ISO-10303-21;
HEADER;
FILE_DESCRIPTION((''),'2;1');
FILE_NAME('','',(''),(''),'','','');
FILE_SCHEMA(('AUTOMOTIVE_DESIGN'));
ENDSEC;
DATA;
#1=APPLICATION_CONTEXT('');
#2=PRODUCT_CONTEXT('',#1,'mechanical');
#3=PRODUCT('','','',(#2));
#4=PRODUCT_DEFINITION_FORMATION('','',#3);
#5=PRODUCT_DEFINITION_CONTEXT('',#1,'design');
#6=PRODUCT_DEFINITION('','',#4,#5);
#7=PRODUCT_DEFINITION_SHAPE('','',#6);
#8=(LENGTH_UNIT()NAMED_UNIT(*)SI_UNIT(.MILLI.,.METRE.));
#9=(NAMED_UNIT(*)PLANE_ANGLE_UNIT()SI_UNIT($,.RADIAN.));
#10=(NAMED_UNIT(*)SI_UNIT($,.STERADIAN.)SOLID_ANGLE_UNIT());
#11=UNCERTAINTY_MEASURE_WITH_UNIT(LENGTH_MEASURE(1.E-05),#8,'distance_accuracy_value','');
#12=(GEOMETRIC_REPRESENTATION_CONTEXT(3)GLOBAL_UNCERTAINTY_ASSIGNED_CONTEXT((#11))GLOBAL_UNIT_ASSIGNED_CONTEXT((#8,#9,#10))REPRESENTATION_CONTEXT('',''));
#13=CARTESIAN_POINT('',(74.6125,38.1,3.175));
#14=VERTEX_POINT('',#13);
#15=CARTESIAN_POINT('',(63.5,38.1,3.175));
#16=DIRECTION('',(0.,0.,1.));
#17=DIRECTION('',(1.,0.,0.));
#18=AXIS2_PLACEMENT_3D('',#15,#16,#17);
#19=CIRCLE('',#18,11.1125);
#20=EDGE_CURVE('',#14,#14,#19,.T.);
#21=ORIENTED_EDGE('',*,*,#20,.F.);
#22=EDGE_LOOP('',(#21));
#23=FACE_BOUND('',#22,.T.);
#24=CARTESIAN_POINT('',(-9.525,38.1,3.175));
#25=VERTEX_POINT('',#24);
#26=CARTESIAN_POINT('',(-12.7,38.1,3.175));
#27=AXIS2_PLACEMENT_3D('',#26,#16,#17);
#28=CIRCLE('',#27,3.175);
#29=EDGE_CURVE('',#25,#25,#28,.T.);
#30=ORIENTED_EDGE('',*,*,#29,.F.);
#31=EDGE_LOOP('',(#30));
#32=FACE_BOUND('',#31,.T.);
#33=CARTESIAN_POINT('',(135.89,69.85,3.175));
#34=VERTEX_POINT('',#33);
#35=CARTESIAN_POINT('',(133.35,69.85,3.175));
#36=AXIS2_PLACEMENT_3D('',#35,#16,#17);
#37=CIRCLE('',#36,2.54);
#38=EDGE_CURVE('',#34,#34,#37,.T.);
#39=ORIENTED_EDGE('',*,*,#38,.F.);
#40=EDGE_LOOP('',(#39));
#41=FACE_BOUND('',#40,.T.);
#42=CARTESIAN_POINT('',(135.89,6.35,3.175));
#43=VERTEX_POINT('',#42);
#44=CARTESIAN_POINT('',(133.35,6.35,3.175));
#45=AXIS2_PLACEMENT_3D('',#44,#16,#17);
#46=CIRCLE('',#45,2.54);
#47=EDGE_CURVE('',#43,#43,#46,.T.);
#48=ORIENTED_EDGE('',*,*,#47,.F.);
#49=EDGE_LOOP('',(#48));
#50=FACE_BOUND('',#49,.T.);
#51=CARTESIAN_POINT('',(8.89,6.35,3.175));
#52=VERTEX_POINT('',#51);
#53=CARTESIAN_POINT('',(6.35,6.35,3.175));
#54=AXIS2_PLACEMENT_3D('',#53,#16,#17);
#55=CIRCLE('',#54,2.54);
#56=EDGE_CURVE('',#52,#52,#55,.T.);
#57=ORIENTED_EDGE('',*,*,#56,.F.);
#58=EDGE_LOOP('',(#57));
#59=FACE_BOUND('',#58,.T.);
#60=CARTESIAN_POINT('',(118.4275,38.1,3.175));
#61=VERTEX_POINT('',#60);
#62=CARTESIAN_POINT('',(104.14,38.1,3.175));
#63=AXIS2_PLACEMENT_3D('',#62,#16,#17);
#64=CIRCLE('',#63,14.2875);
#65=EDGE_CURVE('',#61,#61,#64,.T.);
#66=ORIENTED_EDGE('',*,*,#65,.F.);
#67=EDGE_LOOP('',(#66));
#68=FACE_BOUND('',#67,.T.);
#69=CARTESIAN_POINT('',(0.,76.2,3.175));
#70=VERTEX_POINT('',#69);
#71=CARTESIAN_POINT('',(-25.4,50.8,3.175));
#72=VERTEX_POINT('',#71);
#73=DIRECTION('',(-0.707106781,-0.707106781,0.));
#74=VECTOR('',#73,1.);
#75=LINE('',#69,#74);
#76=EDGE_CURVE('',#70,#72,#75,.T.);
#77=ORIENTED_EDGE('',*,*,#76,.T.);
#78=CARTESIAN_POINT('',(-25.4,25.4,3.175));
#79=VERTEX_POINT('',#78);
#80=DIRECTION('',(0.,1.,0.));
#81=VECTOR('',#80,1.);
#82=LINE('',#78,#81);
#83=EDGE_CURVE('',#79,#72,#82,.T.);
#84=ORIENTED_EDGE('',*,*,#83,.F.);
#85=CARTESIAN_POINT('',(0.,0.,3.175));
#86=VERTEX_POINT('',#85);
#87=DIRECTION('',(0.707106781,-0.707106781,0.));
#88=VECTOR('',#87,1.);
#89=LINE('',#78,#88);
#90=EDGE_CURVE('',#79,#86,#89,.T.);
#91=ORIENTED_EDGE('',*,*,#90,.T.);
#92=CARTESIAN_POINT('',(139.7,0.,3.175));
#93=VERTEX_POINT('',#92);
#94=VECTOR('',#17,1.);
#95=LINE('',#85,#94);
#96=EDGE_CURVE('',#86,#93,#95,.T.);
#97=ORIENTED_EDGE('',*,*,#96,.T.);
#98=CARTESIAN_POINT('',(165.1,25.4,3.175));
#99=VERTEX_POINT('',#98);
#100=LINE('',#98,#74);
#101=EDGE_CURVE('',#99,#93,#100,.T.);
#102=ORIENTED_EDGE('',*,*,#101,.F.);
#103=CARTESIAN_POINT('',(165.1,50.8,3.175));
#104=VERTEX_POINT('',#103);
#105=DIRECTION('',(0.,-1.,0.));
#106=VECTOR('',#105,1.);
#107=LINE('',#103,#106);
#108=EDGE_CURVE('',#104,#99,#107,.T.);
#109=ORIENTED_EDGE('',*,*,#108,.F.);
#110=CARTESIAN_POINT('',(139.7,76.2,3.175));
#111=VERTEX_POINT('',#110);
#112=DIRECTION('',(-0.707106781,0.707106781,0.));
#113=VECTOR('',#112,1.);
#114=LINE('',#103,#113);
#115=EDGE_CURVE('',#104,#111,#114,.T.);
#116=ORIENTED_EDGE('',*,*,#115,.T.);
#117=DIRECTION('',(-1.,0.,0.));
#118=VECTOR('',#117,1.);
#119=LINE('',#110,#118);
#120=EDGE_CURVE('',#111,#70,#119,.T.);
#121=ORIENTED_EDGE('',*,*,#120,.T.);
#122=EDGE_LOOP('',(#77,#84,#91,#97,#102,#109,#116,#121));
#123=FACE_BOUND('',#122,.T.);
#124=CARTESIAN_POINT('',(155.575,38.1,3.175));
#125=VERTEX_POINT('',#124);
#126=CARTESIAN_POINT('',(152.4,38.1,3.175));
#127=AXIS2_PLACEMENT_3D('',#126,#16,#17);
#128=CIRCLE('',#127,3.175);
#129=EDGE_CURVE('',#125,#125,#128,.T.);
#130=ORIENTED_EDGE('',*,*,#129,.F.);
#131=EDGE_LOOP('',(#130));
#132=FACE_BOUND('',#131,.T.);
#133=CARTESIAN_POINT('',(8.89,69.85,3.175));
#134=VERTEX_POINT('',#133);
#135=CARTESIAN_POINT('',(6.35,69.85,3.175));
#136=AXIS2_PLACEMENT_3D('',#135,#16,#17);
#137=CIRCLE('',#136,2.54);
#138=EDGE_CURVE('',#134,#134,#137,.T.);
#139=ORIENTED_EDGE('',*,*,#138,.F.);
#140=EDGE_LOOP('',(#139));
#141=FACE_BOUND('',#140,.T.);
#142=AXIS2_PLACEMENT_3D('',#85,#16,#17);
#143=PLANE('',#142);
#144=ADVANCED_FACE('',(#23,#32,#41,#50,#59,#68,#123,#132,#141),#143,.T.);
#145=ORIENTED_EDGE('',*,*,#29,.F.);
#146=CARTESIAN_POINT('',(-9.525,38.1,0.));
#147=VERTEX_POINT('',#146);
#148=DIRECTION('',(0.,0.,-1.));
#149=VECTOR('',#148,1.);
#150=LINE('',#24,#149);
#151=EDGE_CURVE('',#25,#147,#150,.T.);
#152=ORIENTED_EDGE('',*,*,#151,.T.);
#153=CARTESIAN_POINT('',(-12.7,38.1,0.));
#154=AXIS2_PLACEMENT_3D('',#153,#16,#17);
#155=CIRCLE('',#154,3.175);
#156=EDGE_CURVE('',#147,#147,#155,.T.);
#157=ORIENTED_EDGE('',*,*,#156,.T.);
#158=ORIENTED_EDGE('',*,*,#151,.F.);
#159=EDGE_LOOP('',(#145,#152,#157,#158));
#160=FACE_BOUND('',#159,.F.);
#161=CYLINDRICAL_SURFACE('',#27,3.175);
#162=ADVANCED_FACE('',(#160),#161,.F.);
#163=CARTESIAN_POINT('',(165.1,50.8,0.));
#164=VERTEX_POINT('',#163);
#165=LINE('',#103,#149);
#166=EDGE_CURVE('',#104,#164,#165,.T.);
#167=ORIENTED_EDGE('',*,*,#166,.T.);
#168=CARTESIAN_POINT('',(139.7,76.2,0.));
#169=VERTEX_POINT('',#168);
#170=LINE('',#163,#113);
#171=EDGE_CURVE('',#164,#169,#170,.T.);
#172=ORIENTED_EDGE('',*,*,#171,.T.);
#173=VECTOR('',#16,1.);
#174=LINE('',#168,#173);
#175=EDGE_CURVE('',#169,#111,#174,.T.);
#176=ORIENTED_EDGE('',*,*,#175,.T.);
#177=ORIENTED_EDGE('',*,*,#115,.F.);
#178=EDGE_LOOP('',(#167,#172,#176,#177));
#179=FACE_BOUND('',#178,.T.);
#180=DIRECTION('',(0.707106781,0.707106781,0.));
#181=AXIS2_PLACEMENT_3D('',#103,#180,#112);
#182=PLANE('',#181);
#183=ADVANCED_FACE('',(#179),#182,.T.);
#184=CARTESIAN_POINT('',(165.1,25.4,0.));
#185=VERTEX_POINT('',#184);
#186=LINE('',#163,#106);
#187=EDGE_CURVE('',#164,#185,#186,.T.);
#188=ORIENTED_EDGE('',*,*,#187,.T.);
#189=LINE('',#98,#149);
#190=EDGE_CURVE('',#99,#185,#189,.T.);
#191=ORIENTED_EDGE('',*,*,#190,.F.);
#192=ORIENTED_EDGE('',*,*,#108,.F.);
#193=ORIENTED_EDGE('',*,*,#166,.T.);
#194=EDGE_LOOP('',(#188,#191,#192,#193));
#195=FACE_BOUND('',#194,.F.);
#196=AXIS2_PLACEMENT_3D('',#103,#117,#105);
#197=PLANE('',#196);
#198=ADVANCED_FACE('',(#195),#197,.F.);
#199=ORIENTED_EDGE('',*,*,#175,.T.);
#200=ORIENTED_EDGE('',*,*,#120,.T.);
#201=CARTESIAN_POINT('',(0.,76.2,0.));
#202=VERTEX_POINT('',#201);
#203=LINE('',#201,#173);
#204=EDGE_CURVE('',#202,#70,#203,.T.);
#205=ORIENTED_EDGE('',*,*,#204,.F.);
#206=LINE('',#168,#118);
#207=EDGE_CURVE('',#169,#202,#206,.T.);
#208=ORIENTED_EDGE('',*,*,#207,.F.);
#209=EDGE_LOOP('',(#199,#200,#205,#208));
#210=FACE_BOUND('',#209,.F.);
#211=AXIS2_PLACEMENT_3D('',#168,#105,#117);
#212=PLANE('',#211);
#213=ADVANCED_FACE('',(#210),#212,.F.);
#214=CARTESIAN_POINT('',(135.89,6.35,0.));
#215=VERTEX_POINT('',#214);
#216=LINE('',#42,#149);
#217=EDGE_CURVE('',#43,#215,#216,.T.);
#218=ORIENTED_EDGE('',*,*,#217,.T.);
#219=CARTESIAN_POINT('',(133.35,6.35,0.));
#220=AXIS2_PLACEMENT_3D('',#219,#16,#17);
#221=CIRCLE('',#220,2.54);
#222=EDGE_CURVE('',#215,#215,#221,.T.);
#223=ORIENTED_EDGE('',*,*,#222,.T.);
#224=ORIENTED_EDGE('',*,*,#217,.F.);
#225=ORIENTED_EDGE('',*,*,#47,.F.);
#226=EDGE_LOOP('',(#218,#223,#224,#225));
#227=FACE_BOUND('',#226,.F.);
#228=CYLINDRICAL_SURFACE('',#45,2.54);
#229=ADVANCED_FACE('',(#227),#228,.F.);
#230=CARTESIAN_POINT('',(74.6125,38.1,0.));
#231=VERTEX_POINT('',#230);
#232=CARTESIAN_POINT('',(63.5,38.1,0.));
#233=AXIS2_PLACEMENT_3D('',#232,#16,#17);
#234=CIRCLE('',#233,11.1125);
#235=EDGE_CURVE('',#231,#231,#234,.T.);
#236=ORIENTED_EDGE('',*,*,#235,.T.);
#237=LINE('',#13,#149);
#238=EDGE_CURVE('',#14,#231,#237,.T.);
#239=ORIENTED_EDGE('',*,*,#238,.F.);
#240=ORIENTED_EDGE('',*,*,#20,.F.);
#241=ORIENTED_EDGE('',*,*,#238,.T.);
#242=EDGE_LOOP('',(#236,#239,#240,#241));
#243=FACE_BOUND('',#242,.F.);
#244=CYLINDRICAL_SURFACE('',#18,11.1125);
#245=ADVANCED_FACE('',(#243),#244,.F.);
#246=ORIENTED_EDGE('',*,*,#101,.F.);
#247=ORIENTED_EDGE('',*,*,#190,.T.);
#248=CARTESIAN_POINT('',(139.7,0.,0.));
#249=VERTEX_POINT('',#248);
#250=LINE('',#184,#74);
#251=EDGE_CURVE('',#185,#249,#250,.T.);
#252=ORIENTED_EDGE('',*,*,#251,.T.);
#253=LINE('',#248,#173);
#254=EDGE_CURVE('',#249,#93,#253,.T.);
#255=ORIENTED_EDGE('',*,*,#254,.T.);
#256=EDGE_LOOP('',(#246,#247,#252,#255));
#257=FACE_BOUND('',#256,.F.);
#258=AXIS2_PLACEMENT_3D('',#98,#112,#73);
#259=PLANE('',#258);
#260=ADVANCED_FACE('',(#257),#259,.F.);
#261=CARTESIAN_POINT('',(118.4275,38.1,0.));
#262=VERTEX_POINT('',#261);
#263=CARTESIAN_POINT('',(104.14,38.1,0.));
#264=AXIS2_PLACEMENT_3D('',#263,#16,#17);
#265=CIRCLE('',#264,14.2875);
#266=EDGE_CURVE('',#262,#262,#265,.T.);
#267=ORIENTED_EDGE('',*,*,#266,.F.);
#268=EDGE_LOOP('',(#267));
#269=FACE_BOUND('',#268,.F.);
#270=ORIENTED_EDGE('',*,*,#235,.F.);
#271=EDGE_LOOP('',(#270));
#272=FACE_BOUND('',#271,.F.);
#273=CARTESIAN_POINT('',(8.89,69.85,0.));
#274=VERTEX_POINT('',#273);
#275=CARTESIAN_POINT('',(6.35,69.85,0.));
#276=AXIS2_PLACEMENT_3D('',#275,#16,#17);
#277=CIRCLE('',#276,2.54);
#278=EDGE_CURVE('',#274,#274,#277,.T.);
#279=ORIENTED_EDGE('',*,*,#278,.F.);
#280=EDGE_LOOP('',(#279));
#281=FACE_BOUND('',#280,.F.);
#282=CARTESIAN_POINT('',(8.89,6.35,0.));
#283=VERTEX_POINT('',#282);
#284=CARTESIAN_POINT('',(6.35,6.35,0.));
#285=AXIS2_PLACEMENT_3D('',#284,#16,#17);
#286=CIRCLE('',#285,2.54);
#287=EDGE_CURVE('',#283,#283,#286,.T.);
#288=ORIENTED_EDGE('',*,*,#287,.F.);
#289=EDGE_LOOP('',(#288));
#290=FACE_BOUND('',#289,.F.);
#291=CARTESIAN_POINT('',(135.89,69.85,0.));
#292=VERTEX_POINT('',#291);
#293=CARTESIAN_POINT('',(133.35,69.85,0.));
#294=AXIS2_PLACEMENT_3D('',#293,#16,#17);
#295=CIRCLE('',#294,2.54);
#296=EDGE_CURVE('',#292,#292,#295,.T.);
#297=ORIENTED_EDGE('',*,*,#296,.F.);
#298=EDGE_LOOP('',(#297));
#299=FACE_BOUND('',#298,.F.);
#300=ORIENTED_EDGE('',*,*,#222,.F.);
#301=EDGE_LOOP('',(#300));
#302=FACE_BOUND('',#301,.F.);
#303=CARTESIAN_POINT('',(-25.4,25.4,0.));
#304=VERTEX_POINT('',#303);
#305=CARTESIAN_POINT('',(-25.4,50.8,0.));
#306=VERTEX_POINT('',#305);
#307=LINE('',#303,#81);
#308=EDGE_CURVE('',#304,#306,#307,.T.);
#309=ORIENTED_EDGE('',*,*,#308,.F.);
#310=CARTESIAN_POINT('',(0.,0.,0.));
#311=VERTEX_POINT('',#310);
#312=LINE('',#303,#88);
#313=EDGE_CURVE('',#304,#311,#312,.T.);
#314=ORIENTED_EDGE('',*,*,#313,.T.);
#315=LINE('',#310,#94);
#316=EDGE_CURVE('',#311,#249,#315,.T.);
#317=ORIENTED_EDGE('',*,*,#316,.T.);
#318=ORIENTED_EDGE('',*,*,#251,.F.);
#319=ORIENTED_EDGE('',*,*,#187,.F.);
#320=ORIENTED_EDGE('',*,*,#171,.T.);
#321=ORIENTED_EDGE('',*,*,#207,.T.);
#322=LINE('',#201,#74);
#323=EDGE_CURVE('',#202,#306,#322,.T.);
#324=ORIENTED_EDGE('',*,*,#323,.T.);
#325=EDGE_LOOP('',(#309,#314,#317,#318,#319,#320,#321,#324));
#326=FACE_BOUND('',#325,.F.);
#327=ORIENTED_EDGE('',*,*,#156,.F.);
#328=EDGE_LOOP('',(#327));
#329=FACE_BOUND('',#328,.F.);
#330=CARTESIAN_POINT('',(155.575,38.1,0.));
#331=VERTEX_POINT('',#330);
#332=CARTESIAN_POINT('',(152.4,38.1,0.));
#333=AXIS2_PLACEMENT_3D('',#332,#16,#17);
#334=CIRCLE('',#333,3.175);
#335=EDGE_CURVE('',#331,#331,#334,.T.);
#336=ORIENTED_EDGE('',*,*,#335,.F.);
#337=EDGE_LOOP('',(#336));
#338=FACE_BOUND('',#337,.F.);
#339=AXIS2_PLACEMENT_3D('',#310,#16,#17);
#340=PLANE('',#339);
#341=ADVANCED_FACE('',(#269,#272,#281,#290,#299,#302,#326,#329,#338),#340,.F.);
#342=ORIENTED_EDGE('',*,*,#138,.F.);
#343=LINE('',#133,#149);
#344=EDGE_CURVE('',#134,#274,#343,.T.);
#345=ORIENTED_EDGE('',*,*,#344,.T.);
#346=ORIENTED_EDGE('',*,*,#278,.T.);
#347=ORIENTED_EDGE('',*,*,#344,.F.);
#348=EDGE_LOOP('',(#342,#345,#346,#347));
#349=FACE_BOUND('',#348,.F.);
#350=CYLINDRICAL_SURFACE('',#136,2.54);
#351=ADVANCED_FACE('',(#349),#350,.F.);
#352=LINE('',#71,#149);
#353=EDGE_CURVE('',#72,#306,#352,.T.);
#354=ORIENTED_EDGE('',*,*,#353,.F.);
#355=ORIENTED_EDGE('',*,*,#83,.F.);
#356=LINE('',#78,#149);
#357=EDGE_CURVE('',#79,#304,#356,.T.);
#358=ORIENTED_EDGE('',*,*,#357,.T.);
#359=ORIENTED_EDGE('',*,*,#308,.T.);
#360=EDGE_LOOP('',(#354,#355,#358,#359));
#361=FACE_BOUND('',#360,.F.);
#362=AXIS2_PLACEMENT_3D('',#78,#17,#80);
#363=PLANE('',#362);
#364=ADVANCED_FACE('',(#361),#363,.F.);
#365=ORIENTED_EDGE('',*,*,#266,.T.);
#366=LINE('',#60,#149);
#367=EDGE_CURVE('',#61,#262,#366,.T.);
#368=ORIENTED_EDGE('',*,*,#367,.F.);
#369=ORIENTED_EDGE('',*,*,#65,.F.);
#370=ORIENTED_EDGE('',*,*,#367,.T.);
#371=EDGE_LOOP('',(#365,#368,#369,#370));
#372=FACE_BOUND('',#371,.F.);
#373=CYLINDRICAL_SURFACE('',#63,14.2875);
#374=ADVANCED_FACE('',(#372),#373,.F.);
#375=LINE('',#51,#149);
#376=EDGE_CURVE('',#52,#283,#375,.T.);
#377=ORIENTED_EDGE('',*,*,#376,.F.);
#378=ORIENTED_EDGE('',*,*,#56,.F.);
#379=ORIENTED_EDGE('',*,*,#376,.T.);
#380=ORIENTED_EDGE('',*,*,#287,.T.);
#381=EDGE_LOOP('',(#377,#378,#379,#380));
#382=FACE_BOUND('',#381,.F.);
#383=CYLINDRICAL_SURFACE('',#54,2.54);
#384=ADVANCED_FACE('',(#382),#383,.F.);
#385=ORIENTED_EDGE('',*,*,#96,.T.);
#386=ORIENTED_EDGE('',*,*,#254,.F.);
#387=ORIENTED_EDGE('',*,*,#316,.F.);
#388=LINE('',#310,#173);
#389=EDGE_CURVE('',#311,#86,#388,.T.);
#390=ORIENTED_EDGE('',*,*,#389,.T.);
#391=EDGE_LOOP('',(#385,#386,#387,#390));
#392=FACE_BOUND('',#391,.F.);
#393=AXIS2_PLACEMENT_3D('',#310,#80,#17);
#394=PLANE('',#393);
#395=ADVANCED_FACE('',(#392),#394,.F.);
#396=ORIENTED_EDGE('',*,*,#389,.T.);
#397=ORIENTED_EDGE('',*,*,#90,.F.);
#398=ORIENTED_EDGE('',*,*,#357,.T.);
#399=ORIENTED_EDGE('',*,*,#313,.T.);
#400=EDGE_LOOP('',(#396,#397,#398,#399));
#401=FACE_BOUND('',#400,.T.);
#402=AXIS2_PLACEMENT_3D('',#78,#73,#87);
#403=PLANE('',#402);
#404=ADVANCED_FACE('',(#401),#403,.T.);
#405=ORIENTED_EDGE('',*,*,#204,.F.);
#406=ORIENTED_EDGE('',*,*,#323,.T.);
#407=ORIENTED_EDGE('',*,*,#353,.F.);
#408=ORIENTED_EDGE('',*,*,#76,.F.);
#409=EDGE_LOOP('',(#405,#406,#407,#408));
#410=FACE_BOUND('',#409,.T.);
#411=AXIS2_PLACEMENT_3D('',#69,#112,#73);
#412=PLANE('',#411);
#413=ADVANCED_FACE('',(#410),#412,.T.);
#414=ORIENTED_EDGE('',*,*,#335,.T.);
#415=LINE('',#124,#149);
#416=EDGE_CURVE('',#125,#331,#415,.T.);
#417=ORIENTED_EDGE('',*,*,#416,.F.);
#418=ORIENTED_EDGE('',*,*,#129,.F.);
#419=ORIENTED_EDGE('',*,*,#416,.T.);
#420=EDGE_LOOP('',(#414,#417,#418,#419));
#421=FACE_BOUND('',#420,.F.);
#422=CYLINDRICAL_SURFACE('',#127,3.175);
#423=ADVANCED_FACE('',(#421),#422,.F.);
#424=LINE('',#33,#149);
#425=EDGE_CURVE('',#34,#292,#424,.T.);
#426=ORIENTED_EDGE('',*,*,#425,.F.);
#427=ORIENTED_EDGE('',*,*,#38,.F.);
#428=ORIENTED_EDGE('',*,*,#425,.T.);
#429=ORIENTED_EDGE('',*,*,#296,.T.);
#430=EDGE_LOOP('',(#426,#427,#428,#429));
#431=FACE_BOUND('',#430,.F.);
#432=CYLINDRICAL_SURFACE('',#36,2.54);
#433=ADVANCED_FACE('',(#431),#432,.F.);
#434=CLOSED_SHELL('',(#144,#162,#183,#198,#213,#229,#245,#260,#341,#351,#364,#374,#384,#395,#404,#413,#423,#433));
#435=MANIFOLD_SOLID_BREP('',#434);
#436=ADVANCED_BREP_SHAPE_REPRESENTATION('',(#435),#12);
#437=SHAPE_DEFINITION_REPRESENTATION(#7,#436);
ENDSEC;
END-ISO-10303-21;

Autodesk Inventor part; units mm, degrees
ref_plane "YZ Plane" through (0, 0, 0) normal (1, 0, 0) x (0, 1, 0)
ref_plane "XZ Plane" through (0, 0, 0) normal (0, 1, 0) x (-1, 0, 0)
ref_plane "XY Plane" through (0, 0, 0) normal (0, 0, 1) x (1, 0, 0)
sketch "Sketch1" plane through (0, 0, 0) normal (0, 0, 1) x (1, 0, 0)
  line L0 (0, 0) -> (139.7, 0)
  line L1 (139.7, 0) -> (139.7, 76.2)
  line L2 (139.7, 76.2) -> (0, 76.2)
  line L3 (0, 76.2) -> (0, 0)
  dimension "d0" = 139.7
  dimension "d1" = 76.2
extrude "Extrusion1" add sketch "Sketch1" along normal blind 3.175
sketch "Sketch2" plane through (0, 0, 3.175) normal (0, 0, 1) x (1, 0, 0)
  line L0 (0, 0) -> (139.7, 0) projected
  line L1 (139.7, 0) -> (139.7, 76.2) projected
  line L2 (139.7, 76.2) -> (0, 76.2) projected
  line L3 (0, 76.2) -> (0, 0) projected
  circle A0 centre (6.35, 69.85) radius 2.54
  circle A1 centre (6.35, 6.35) radius 2.54
  circle A2 centre (133.35, 6.35) radius 2.54
  circle A3 centre (133.35, 69.85) radius 2.54
  circle A4 centre (63.5, 38.1) radius 11.1125
  circle A5 centre (104.14, 38.1) radius 14.2875
  dimension "d4" = 6.35
  dimension "d5" = 6.35
  dimension "d6" = 69.85
  dimension "d7" = 6.35
  dimension "d8" = 133.35
  dimension "d9" = 6.35
  dimension "d10" = 133.35
  dimension "d11" = 69.85
  dimension "d12" = 63.5
  dimension "d13" = 38.1
  dimension "d14" = 38.1
  dimension "d15" = 104.14
  dimension "d16" = 5.08
  dimension "d17" = 5.08
  dimension "d18" = 5.08
  dimension "d19" = 5.08
  dimension "d20" = 22.225
  dimension "d21" = 28.575
extrude "Extrusion2" cut sketch "Sketch2" against normal blind 3.175 contours A0 | A1 | A2 | A3 | A4 | A5
sketch "Sketch3" plane through (0, 0, 3.175) normal (0, 0, 1) x (1, 0, 0)
  circle A0 centre (63.5, 38.1) radius 11.1125 projected
  circle A1 centre (133.35, 6.35) radius 2.54 projected
  circle A2 centre (6.35, 69.85) radius 2.54 projected
  circle A3 centre (6.35, 6.35) radius 2.54 projected
  circle A4 centre (133.35, 69.85) radius 2.54 projected
  circle A5 centre (104.14, 38.1) radius 14.2875 projected
  line L0 (0, 0) -> (139.7, 0) projected
  line L1 (139.7, 0) -> (139.7, 76.2) projected
  line L2 (139.7, 76.2) -> (0, 76.2) projected
  line L3 (0, 76.2) -> (0, 0) projected
  line L4 (0, 76.2) -> (0, 0) projected
  line L5 (0, 25.4) -> (-25.4, 25.4)
  line L6 (-25.4, 25.4) -> (-25.4, 50.8)
  line L7 (-25.4, 50.8) -> (0, 50.8)
  line L8 (0, 50.8) -> (0, 25.4)
  line L9 (0, 76.2) -> (-25.4, 50.8)
  line L10 (-25.4, 25.4) -> (0, 0)
  line L11 (139.7, 0) -> (139.7, 76.2) projected
  line L12 (139.7, 50.8) -> (165.1, 50.8)
  line L13 (165.1, 50.8) -> (165.1, 25.4)
  line L14 (165.1, 25.4) -> (139.7, 25.4)
  line L15 (139.7, 25.4) -> (139.7, 50.8)
  line L16 (0, 76.2) -> (0, 50.8)
  line L17 (0, 0) -> (0, 25.4)
  line L18 (139.7, 76.2) -> (139.7, 50.8)
  line L19 (165.1, 50.8) -> (139.7, 76.2)
  line L20 (165.1, 25.4) -> (139.7, 0)
  line L21 (139.7, 0) -> (139.7, 25.4)
  dimension "d24" = 25.4
  dimension "d25" = 25.4
  dimension "d26" = 25.4
  dimension "d27" = 25.4
  dimension "d28" = 25.4
  dimension "d29" = 25.4
extrude "Extrusion3" add sketch "Sketch3" against normal blind 3.175 contours L10 L5 L3 | L1 L14 L20 | L5 L6 L7 L3 | L1 L12 L13 L14 | L7 L9 L3 | L1 L19 L12
sketch "Sketch4" plane through (0, 0, 3.175) normal (0, 0, 1) x (1, 0, 0)
  circle A0 centre (63.5, 38.1) radius 11.1125 projected
  circle A1 centre (133.35, 6.35) radius 2.54 projected
  circle A2 centre (6.35, 69.85) radius 2.54 projected
  circle A3 centre (6.35, 6.35) radius 2.54 projected
  circle A4 centre (133.35, 69.85) radius 2.54 projected
  circle A5 centre (104.14, 38.1) radius 14.2875 projected
  line L0 (0, 0) -> (139.7, 0) projected
  line L1 (139.7, 0) -> (165.1, 25.4) projected
  line L2 (165.1, 25.4) -> (165.1, 50.8) projected
  line L3 (165.1, 50.8) -> (139.7, 76.2) projected
  line L4 (139.7, 76.2) -> (0, 76.2) projected
  line L5 (0, 76.2) -> (-25.4, 50.8) projected
  line L6 (-25.4, 50.8) -> (-25.4, 25.4) projected
  line L7 (-25.4, 25.4) -> (0, 0) projected
  circle A6 centre (-12.7, 38.1) radius 3.175
  circle A7 centre (152.4, 38.1) radius 3.175
  dimension "d32" = 6.35
  dimension "d33" = 12.7
  dimension "d34" = 38.1
  dimension "d35" = 6.35
  dimension "d36" = 152.4
  dimension "d37" = 38.1
extrude "Extrusion4" cut sketch "Sketch4" against normal blind 3.175 contours A6 | A7
properties part number "ToughBox Nano AM14U2 Mount" material "Aluminum 6061"
